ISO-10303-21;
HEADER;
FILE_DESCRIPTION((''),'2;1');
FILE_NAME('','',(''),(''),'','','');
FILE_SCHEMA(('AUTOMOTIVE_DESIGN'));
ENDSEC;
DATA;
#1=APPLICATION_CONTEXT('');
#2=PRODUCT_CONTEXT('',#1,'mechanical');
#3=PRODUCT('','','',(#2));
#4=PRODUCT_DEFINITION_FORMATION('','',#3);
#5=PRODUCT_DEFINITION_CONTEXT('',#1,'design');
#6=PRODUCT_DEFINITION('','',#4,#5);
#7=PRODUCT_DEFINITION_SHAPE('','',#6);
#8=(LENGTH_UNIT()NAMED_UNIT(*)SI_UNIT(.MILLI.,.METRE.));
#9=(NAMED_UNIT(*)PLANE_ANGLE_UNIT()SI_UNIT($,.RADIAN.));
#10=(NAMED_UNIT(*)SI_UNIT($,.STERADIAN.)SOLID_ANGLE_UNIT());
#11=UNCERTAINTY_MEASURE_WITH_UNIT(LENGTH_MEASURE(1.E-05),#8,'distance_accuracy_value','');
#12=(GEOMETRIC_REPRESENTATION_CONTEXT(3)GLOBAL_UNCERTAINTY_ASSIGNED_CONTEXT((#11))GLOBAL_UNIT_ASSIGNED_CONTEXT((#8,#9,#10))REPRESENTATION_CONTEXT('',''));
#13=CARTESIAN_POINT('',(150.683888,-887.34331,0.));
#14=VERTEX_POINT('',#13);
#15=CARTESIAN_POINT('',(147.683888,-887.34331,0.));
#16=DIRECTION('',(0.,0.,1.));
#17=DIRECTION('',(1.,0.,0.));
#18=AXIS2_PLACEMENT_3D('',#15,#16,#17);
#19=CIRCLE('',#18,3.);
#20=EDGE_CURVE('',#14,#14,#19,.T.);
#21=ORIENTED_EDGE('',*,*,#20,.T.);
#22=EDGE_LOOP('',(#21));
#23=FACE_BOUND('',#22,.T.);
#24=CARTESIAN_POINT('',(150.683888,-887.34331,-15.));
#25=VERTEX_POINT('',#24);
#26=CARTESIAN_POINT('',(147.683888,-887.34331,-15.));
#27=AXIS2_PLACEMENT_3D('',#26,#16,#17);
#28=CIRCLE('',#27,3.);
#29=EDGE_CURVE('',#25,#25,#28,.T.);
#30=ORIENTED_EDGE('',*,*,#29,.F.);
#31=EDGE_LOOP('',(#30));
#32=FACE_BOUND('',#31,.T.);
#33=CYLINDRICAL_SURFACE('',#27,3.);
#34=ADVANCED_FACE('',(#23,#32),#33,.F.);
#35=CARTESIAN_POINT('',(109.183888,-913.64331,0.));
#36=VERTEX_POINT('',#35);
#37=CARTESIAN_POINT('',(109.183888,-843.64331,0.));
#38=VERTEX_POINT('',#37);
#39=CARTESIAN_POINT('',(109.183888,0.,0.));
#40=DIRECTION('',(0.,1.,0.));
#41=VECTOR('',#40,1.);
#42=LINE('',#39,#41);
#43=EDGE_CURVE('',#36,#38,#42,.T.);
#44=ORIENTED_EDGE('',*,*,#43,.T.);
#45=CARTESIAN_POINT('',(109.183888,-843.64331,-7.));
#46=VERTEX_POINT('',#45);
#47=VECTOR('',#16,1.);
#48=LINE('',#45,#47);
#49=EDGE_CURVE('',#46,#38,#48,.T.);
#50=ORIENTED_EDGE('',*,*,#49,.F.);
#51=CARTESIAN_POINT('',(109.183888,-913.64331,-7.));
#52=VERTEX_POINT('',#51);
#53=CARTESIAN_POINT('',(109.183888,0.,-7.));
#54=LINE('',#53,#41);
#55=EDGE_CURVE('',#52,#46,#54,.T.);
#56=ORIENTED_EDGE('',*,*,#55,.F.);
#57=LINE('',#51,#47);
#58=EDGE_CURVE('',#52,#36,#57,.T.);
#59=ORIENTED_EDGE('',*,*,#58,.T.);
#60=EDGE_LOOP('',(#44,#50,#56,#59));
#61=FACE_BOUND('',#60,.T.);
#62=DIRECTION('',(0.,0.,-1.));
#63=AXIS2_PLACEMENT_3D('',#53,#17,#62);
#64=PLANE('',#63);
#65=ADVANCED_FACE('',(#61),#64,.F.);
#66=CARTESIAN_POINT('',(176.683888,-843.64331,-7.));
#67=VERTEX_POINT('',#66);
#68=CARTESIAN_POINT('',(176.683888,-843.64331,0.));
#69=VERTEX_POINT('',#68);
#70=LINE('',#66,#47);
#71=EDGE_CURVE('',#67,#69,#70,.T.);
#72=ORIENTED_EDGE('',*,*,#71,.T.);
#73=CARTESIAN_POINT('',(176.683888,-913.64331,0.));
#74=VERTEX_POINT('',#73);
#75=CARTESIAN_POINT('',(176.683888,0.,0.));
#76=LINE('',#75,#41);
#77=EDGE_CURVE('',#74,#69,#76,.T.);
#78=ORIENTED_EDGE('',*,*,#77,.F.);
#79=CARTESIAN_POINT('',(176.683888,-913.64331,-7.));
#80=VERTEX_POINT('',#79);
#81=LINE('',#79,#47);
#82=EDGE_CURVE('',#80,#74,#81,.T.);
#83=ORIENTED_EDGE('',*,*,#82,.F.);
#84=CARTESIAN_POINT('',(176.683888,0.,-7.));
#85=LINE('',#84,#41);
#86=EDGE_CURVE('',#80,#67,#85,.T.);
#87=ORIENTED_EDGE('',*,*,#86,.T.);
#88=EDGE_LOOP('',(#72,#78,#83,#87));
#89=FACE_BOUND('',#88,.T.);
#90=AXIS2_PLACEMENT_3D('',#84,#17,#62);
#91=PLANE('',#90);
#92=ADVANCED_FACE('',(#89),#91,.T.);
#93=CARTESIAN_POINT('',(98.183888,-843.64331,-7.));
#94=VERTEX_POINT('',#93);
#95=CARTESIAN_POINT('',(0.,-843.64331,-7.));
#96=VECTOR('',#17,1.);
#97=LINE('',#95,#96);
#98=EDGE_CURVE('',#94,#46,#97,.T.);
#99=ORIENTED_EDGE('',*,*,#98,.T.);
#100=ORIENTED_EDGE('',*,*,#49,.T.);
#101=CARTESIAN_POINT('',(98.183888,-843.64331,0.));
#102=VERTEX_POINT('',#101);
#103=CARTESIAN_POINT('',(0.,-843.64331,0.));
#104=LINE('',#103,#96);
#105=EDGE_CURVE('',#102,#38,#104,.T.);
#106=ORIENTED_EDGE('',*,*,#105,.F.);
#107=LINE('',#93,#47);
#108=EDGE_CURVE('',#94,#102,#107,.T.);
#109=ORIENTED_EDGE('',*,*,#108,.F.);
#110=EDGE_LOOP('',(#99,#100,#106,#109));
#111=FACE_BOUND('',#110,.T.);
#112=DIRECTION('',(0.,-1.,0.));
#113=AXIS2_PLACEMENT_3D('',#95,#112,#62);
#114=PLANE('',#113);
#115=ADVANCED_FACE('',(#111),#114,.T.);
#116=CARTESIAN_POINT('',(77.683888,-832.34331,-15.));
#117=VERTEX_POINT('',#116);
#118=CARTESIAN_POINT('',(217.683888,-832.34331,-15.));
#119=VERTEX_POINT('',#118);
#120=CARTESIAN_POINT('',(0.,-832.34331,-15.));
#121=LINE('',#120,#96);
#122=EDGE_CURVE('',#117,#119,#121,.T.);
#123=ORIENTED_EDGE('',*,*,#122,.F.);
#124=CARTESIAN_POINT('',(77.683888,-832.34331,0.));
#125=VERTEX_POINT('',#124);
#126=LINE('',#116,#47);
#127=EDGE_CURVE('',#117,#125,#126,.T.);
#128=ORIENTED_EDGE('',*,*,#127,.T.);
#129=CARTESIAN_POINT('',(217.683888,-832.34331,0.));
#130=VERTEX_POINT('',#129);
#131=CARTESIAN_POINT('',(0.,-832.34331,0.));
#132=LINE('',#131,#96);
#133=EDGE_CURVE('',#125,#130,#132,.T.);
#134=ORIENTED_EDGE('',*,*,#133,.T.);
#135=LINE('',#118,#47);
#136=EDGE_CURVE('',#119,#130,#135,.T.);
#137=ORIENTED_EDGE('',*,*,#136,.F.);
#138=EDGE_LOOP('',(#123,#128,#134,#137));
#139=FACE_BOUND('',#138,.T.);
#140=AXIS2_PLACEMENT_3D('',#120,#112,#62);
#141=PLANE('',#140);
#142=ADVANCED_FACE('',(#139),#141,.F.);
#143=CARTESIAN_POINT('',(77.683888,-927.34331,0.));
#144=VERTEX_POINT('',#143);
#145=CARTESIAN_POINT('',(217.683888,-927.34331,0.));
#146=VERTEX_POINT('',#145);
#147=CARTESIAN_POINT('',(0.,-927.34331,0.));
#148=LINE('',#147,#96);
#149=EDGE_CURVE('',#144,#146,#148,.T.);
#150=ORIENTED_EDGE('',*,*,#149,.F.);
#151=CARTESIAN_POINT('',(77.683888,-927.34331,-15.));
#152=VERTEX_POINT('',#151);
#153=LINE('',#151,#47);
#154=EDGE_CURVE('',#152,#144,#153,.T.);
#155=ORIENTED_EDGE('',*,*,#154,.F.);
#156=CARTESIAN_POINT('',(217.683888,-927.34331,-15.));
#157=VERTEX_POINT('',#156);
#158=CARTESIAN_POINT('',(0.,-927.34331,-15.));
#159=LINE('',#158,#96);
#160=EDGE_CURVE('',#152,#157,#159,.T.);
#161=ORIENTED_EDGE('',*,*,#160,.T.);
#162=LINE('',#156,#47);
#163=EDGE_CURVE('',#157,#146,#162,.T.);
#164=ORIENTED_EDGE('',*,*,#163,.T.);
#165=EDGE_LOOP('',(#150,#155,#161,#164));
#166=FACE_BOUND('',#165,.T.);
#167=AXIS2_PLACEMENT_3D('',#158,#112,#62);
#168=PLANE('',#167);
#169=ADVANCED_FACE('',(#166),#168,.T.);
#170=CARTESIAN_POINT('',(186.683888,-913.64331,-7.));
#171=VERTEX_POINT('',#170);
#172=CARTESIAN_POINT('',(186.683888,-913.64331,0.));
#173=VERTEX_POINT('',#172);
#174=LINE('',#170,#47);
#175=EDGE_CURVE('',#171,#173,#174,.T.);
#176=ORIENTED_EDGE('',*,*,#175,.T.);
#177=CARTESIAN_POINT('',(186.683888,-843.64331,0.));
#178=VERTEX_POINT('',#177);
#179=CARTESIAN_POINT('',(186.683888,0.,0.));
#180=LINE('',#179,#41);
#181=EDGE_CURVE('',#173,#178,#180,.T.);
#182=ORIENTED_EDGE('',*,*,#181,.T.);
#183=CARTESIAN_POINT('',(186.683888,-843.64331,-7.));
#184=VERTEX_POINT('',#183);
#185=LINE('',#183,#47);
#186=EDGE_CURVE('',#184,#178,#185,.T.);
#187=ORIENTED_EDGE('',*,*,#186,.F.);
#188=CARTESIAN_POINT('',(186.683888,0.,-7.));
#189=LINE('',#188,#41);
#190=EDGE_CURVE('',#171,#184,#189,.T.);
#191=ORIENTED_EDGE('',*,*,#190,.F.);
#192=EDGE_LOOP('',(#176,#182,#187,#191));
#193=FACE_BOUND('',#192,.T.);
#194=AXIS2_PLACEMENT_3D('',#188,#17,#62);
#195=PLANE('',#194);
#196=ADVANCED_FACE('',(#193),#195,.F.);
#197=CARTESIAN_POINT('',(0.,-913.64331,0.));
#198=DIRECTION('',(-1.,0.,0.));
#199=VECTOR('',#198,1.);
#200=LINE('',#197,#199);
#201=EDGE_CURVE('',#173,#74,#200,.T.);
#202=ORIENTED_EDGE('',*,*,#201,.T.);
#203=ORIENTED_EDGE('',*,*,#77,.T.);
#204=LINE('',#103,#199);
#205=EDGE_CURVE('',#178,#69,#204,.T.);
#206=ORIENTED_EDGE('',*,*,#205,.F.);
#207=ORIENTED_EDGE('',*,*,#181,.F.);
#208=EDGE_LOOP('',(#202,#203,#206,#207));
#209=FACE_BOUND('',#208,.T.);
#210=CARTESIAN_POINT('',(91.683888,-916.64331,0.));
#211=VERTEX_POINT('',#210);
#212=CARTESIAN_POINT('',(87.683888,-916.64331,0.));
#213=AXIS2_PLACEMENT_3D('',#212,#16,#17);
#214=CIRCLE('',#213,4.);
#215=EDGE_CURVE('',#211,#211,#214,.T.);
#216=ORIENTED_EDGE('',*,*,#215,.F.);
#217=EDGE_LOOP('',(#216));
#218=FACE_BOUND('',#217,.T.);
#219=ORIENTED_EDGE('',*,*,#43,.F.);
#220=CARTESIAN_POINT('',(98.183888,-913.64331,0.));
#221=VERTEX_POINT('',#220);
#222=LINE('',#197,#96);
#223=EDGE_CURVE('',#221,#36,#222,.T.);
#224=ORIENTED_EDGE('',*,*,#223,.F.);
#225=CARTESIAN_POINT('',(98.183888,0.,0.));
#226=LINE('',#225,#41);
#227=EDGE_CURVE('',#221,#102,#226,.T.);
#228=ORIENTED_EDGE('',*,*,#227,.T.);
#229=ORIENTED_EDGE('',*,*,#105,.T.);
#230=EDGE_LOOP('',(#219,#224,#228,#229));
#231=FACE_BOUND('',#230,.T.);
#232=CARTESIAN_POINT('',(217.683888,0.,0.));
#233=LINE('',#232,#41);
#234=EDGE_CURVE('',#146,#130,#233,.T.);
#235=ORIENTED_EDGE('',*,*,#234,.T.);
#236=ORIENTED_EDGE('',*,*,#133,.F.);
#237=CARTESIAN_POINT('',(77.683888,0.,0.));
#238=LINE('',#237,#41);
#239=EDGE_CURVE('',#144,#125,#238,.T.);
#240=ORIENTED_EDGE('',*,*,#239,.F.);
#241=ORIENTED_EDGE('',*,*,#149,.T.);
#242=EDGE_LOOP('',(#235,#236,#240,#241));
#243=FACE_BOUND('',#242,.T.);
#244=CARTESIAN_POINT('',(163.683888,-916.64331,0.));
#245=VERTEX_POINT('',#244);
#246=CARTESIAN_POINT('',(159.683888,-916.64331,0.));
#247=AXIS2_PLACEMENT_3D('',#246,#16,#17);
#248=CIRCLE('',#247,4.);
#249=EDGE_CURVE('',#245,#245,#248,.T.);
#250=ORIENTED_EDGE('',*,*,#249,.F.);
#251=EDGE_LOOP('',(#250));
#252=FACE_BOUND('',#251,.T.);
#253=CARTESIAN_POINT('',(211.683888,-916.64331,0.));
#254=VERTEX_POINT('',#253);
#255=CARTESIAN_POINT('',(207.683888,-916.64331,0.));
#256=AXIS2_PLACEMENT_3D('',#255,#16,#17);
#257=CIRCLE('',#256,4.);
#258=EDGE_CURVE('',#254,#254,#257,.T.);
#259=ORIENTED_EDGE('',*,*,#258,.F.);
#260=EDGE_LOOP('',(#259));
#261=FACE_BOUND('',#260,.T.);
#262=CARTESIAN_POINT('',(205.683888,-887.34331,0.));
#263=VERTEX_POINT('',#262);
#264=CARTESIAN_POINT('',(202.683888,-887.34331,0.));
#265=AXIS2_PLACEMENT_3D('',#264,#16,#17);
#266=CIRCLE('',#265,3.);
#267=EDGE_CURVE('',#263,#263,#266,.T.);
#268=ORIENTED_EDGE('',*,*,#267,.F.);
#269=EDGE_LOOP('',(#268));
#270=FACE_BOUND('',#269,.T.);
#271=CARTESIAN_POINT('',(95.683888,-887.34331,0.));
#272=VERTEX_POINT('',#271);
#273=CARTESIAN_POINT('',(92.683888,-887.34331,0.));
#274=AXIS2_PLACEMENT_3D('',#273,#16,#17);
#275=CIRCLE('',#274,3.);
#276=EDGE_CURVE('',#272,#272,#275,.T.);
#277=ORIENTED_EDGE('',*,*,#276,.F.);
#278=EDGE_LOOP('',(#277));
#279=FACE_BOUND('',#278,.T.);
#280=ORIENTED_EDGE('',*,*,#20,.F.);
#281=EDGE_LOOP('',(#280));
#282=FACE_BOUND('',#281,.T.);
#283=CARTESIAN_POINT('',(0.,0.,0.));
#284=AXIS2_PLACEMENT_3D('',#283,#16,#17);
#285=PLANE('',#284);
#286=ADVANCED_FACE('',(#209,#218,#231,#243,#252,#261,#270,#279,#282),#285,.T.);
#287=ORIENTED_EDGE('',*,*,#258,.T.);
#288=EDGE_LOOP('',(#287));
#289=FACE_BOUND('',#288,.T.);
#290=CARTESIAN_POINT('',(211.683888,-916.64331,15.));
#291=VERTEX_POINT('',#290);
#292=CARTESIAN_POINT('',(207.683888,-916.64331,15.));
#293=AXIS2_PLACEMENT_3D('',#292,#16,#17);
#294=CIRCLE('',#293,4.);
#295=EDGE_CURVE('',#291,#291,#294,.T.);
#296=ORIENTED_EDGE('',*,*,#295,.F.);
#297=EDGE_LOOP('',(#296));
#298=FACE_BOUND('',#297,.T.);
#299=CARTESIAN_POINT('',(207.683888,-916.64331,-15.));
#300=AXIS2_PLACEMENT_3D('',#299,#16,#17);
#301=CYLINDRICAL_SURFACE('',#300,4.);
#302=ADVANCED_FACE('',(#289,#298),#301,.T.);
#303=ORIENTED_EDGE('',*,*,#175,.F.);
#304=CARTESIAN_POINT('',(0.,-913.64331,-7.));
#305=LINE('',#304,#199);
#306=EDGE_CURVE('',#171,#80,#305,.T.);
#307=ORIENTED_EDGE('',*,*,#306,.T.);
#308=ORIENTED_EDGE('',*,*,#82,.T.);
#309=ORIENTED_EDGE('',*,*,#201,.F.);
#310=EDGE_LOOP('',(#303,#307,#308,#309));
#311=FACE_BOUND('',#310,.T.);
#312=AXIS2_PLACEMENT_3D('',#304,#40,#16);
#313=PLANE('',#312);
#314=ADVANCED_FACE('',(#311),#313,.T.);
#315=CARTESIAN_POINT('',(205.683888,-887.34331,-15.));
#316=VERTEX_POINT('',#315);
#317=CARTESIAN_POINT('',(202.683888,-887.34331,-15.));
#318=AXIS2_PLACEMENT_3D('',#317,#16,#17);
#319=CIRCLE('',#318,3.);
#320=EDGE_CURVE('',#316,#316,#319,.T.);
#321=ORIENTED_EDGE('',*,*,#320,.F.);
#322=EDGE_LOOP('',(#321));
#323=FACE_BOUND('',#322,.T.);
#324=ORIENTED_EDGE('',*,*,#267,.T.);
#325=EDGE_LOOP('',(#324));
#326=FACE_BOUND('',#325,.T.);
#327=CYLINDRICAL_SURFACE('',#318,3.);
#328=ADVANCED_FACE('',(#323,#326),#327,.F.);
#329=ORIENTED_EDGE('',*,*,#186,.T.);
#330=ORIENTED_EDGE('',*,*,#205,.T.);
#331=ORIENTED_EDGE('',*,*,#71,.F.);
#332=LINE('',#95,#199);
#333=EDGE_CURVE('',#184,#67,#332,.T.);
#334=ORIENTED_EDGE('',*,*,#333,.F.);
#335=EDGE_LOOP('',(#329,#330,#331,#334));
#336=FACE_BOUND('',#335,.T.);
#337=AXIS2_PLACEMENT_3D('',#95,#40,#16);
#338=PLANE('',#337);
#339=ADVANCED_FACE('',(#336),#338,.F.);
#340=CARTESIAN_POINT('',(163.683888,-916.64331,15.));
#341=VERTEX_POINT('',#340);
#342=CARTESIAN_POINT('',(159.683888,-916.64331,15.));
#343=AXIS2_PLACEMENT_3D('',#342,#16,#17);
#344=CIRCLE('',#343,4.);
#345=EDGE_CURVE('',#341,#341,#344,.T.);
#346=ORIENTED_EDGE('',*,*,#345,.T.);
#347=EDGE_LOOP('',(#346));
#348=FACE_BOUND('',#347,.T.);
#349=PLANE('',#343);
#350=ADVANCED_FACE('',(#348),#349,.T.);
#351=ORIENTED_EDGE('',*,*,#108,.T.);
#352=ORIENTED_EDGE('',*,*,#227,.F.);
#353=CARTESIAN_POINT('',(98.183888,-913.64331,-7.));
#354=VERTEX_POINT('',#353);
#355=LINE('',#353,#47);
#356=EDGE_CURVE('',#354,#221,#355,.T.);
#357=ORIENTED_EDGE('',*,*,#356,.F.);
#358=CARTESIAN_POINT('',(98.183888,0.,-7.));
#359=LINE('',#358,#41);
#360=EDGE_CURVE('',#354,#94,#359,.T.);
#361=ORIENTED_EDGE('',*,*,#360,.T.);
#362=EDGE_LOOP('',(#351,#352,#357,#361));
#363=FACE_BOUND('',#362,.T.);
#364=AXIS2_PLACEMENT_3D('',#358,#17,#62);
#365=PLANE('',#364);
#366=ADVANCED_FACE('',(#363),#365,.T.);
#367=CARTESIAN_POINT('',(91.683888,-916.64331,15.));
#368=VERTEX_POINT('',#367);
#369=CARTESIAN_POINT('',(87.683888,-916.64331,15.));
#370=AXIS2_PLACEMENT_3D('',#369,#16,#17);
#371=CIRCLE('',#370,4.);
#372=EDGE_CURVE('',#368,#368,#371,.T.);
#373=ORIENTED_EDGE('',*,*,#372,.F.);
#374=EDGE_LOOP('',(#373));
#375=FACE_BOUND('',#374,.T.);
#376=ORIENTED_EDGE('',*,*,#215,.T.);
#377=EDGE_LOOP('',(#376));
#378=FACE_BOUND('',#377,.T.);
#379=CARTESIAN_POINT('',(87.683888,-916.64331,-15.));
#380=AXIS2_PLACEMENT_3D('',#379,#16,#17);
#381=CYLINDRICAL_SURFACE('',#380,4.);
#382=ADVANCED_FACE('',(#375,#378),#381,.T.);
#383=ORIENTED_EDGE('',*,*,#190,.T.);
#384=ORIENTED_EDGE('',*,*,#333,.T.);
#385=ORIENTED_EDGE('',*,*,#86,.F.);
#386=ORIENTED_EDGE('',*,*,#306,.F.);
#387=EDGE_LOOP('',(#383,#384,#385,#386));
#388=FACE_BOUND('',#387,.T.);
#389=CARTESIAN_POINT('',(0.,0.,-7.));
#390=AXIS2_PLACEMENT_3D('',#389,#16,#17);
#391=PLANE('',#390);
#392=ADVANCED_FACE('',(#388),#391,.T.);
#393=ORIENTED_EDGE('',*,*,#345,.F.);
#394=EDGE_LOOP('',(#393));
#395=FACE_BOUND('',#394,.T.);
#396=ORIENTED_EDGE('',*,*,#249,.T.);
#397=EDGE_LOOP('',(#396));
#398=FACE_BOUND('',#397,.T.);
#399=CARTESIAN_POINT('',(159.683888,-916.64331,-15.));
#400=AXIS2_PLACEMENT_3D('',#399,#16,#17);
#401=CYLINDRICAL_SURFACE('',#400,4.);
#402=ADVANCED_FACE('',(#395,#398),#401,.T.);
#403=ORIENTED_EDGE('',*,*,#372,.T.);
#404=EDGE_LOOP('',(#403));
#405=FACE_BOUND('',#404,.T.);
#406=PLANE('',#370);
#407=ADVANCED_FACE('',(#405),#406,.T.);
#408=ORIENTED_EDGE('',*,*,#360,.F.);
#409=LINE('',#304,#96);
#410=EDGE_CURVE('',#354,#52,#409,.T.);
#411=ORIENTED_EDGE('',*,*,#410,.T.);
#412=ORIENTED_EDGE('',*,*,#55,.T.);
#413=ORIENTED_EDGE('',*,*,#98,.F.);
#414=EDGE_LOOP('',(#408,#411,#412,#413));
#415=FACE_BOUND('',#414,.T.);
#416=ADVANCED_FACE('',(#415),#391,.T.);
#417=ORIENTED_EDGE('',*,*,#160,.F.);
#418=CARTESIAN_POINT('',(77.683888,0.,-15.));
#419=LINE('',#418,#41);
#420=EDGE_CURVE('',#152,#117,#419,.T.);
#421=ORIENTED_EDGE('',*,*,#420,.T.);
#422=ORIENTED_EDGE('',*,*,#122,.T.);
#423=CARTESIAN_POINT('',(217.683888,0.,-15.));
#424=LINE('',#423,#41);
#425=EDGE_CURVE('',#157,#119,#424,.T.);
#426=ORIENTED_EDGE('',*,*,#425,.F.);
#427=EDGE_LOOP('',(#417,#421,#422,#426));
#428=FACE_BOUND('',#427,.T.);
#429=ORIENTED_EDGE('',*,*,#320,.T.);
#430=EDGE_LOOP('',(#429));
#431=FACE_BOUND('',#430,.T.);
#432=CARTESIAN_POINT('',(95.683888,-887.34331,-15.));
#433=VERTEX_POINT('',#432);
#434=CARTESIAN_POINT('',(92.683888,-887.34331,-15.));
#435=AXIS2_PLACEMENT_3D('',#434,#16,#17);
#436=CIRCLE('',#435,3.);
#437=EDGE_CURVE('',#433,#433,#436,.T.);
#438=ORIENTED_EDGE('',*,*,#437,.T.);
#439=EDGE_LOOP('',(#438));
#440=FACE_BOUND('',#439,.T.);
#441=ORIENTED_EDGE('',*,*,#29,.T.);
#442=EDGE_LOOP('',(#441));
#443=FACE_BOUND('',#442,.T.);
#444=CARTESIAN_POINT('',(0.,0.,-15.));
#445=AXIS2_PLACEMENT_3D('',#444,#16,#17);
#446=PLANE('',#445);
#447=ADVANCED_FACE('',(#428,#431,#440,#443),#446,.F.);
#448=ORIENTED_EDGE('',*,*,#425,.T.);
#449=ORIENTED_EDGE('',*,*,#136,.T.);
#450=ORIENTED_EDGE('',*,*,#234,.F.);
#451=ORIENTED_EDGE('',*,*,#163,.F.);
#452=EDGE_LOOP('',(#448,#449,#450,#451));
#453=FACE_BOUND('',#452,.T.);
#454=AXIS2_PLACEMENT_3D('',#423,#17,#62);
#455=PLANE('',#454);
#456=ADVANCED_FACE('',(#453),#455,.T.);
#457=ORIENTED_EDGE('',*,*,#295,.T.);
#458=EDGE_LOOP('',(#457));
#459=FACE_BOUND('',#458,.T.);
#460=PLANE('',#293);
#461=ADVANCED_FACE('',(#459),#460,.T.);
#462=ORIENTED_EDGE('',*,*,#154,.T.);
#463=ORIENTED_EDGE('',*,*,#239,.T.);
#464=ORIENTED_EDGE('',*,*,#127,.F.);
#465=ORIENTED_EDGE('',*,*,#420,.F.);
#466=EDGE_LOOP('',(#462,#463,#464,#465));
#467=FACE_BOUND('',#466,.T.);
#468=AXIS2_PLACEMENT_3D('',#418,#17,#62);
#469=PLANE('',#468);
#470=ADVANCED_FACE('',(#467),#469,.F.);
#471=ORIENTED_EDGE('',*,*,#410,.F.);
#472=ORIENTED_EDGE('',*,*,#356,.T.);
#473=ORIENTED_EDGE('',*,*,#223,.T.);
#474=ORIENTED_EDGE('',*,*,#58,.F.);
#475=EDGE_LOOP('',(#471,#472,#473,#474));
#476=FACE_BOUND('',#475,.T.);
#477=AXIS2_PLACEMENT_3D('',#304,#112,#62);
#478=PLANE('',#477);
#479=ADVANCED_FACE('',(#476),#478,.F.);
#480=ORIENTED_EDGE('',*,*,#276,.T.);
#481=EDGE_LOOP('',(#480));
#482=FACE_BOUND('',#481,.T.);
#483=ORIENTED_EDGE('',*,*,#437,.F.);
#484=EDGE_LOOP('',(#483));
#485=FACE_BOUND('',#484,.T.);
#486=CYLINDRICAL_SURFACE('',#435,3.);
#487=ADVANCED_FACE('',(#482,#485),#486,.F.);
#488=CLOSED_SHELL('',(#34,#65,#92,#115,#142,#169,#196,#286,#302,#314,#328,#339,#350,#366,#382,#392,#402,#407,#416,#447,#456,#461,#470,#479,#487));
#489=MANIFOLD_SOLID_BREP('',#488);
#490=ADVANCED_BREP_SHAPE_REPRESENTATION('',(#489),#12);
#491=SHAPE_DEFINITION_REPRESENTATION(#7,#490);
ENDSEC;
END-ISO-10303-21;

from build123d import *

# Parameters (mm, degrees)
SKETCH1_W                = 92
SKETCH1_H                = 77
SKETCH1_R                = 4
BOSS_EXTRUDE1_DEPTH      = 15
SKETCH1_3_R              = 4
BOSS_EXTRUDE2_DEPTH      = 15
BOSS_EXTRUDE2_DEPTH_BACK = 15
SKETCH2_R                = 3
CUT_EXTRUDE1_DEPTH       = 16
SKETCH2_3_W              = 11
SKETCH2_3_H              = 70
SKETCH2_3_W_2            = 10
CUT_EXTRUDE2_DEPTH       = 7


with BuildPart() as part:
    # Sketch1 → Boss-Extrude1 (new body)
    with BuildSketch(Plane.XY):
        with Locations((123.683888311, -870.843310138)):
            Rectangle(SKETCH1_W, SKETCH1_H)
        Polygon((169.683888311, -927.343310138), (217.683888311, -927.343310138), (217.683888311, -832.343310138), (169.683888311, -832.343310138), (169.683888311, -920.343310138), align=None)
        with Locations((207.683888311, -916.643310138)):
            Circle(SKETCH1_R, mode=Mode.SUBTRACT)
        Polygon((77.683888311, -909.343310138), (77.683888311, -920.343310138), (77.683888311, -927.343310138), (169.683888311, -927.343310138), (169.683888311, -920.343310138), (169.683888311, -909.343310138), align=None)
        with Locations((87.683888311, -916.643310138)):
            Circle(SKETCH1_R, mode=Mode.SUBTRACT)
        with Locations((159.683888311, -916.643310138)):
            Circle(SKETCH1_R, mode=Mode.SUBTRACT)
    extrude(amount=-BOSS_EXTRUDE1_DEPTH)

    # Sketch1_3 → Boss-Extrude2 (add, two sides)
    with BuildSketch(Plane.XY) as boss_extrude2_sk:
        with Locations((87.683888311, -916.643310138)):
            Circle(SKETCH1_3_R)
        with Locations((207.683888311, -916.643310138)):
            Circle(SKETCH1_3_R)
        with Locations((159.683888311, -916.643310138)):
            Circle(SKETCH1_3_R)
    extrude(amount=BOSS_EXTRUDE2_DEPTH)
    extrude(boss_extrude2_sk.sketch, amount=-BOSS_EXTRUDE2_DEPTH_BACK)

    # Sketch2 → Cut-Extrude1 (cut, through all)
    with BuildSketch(Plane.XY):
        with Locations((147.683888311, -887.343310138)):
            Circle(SKETCH2_R)
        with Locations((202.683888311, -887.343310138)):
            Circle(SKETCH2_R)
        with Locations((92.683888311, -887.343310138)):
            Circle(SKETCH2_R)
    extrude(amount=-CUT_EXTRUDE1_DEPTH, mode=Mode.SUBTRACT)

    # Sketch2_3 → Cut-Extrude2 (cut)
    with BuildSketch(Plane.XY):
        with Locations((103.683888311, -878.643310138)):
            Rectangle(SKETCH2_3_W, SKETCH2_3_H)
        with Locations((181.683888311, -878.643310138)):
            Rectangle(SKETCH2_3_W_2, SKETCH2_3_H)
    extrude(amount=-CUT_EXTRUDE2_DEPTH, mode=Mode.SUBTRACT)


solid = part.part
